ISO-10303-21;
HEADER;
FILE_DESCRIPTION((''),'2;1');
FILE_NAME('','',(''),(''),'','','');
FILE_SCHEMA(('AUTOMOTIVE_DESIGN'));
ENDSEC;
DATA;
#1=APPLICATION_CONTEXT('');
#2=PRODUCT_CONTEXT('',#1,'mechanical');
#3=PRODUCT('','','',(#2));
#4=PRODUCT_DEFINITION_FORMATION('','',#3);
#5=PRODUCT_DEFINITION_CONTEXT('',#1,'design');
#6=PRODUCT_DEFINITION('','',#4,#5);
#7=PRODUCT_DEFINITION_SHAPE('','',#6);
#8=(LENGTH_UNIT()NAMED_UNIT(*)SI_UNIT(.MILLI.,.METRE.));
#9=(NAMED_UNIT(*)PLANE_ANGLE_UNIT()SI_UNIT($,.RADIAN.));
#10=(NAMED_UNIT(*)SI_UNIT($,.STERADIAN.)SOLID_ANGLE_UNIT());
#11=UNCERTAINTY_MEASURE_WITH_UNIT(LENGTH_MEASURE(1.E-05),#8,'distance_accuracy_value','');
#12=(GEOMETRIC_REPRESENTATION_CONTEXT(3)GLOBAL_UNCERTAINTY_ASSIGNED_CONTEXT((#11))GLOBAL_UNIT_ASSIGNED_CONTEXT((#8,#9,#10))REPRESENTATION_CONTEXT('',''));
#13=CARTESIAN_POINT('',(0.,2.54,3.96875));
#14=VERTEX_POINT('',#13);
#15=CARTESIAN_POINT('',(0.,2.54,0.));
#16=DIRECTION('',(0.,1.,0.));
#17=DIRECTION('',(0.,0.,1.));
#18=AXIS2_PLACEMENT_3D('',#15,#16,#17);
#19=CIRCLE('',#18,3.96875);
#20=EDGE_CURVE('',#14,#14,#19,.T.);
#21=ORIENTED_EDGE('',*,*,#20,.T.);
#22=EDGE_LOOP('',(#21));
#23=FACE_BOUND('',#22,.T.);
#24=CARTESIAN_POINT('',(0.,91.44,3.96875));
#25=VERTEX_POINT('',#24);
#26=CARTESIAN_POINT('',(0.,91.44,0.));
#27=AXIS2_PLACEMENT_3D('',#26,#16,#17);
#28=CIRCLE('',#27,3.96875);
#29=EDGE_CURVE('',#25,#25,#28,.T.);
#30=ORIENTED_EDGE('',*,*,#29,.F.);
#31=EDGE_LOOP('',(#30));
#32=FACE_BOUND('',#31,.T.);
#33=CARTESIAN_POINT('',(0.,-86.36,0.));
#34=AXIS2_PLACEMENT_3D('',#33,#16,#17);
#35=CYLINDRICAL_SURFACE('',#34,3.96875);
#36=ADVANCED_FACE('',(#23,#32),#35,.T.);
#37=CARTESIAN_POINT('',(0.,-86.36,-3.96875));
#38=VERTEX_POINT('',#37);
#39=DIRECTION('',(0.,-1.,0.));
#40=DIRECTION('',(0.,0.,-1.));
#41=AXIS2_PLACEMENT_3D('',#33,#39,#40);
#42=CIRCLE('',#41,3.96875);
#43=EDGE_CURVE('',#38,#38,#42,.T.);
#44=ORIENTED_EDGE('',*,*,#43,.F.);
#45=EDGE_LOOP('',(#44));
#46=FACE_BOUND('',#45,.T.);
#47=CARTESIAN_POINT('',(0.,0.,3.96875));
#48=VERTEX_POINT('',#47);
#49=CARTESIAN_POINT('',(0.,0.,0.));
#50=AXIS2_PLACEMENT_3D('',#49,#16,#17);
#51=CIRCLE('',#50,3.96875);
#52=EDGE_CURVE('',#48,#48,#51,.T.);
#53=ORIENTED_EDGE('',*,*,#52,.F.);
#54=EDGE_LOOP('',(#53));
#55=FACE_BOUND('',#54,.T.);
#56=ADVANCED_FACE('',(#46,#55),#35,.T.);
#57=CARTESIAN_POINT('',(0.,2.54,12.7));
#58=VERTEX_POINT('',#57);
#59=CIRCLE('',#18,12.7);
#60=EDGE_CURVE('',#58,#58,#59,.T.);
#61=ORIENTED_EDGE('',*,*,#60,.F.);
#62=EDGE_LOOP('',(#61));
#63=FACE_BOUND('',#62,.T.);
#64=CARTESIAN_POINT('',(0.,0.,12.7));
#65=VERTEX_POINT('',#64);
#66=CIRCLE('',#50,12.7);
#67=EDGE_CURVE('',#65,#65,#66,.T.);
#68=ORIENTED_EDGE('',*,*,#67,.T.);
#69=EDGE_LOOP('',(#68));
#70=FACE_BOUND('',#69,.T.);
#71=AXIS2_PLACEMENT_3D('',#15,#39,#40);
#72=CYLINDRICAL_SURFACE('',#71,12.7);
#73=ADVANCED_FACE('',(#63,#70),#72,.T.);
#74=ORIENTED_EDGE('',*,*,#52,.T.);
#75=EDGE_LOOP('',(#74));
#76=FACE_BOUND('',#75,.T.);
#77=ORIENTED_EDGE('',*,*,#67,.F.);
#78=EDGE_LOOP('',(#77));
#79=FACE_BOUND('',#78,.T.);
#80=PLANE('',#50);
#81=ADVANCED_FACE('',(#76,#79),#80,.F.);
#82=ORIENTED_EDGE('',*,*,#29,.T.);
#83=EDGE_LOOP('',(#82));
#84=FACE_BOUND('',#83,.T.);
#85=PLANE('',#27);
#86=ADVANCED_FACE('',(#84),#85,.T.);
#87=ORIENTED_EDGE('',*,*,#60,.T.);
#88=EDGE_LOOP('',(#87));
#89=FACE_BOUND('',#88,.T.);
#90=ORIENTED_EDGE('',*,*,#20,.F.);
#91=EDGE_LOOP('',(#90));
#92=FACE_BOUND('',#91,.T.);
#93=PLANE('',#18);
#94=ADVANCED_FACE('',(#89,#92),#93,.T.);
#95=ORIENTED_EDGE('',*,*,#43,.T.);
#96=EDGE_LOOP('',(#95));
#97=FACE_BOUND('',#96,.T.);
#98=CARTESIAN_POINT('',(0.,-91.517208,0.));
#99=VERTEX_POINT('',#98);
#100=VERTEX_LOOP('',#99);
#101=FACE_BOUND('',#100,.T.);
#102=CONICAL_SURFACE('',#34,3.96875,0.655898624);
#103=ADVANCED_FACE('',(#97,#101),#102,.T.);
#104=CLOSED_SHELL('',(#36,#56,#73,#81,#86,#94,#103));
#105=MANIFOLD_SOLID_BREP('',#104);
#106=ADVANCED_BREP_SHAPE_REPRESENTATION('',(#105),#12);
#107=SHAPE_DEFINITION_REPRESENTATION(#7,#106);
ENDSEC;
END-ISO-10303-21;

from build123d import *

# Parameters (mm, degrees)
SKETCH1_R           = 12.7
SKETCH1_R_2         = 3.96875
BOSS_EXTRUDE1_DEPTH = 2.54
BOSS_EXTRUDE2_START = -88.9
SKETCH2_R           = 3.96875
BOSS_EXTRUDE2_DEPTH = 177.8


with BuildPart() as part:
    # Sketch1 → Boss-Extrude1 (new body)
    with BuildSketch(Plane(origin=(0, 0, 0), x_dir=(1, 0, 0), z_dir=(0, 1, 0))):
        with Locations(Location((0, 0, 0), (0, 0, 270))):
            Circle(SKETCH1_R)
        with Locations(Location((0, 0, 0), (0, 0, 270))):
            Circle(SKETCH1_R_2, mode=Mode.SUBTRACT)
    extrude(amount=BOSS_EXTRUDE1_DEPTH)

    # Sketch2 → Boss-Extrude2 (add)
    with BuildSketch(Plane(origin=(0, 2.54, 0), x_dir=(1, 0, 0), z_dir=(0, 1, 0)).offset(BOSS_EXTRUDE2_START)):
        with Locations(Location((0, 0, 0), (0, 0, 270))):
            Circle(SKETCH2_R)
    extrude(amount=BOSS_EXTRUDE2_DEPTH)

    # Sketch3 → Revolve1 (revolve)
    with BuildSketch(Plane(origin=(0, 0, 0), x_dir=(0, 0, -1), z_dir=(1, 0, 0))):
        Polygon((0, -86.36), (-3.96875, -86.36), (0, -91.517208385), align=None)
    revolve(axis=Axis((0, -87.920610372, 0), (0, 1, 0)))


solid = part.part
